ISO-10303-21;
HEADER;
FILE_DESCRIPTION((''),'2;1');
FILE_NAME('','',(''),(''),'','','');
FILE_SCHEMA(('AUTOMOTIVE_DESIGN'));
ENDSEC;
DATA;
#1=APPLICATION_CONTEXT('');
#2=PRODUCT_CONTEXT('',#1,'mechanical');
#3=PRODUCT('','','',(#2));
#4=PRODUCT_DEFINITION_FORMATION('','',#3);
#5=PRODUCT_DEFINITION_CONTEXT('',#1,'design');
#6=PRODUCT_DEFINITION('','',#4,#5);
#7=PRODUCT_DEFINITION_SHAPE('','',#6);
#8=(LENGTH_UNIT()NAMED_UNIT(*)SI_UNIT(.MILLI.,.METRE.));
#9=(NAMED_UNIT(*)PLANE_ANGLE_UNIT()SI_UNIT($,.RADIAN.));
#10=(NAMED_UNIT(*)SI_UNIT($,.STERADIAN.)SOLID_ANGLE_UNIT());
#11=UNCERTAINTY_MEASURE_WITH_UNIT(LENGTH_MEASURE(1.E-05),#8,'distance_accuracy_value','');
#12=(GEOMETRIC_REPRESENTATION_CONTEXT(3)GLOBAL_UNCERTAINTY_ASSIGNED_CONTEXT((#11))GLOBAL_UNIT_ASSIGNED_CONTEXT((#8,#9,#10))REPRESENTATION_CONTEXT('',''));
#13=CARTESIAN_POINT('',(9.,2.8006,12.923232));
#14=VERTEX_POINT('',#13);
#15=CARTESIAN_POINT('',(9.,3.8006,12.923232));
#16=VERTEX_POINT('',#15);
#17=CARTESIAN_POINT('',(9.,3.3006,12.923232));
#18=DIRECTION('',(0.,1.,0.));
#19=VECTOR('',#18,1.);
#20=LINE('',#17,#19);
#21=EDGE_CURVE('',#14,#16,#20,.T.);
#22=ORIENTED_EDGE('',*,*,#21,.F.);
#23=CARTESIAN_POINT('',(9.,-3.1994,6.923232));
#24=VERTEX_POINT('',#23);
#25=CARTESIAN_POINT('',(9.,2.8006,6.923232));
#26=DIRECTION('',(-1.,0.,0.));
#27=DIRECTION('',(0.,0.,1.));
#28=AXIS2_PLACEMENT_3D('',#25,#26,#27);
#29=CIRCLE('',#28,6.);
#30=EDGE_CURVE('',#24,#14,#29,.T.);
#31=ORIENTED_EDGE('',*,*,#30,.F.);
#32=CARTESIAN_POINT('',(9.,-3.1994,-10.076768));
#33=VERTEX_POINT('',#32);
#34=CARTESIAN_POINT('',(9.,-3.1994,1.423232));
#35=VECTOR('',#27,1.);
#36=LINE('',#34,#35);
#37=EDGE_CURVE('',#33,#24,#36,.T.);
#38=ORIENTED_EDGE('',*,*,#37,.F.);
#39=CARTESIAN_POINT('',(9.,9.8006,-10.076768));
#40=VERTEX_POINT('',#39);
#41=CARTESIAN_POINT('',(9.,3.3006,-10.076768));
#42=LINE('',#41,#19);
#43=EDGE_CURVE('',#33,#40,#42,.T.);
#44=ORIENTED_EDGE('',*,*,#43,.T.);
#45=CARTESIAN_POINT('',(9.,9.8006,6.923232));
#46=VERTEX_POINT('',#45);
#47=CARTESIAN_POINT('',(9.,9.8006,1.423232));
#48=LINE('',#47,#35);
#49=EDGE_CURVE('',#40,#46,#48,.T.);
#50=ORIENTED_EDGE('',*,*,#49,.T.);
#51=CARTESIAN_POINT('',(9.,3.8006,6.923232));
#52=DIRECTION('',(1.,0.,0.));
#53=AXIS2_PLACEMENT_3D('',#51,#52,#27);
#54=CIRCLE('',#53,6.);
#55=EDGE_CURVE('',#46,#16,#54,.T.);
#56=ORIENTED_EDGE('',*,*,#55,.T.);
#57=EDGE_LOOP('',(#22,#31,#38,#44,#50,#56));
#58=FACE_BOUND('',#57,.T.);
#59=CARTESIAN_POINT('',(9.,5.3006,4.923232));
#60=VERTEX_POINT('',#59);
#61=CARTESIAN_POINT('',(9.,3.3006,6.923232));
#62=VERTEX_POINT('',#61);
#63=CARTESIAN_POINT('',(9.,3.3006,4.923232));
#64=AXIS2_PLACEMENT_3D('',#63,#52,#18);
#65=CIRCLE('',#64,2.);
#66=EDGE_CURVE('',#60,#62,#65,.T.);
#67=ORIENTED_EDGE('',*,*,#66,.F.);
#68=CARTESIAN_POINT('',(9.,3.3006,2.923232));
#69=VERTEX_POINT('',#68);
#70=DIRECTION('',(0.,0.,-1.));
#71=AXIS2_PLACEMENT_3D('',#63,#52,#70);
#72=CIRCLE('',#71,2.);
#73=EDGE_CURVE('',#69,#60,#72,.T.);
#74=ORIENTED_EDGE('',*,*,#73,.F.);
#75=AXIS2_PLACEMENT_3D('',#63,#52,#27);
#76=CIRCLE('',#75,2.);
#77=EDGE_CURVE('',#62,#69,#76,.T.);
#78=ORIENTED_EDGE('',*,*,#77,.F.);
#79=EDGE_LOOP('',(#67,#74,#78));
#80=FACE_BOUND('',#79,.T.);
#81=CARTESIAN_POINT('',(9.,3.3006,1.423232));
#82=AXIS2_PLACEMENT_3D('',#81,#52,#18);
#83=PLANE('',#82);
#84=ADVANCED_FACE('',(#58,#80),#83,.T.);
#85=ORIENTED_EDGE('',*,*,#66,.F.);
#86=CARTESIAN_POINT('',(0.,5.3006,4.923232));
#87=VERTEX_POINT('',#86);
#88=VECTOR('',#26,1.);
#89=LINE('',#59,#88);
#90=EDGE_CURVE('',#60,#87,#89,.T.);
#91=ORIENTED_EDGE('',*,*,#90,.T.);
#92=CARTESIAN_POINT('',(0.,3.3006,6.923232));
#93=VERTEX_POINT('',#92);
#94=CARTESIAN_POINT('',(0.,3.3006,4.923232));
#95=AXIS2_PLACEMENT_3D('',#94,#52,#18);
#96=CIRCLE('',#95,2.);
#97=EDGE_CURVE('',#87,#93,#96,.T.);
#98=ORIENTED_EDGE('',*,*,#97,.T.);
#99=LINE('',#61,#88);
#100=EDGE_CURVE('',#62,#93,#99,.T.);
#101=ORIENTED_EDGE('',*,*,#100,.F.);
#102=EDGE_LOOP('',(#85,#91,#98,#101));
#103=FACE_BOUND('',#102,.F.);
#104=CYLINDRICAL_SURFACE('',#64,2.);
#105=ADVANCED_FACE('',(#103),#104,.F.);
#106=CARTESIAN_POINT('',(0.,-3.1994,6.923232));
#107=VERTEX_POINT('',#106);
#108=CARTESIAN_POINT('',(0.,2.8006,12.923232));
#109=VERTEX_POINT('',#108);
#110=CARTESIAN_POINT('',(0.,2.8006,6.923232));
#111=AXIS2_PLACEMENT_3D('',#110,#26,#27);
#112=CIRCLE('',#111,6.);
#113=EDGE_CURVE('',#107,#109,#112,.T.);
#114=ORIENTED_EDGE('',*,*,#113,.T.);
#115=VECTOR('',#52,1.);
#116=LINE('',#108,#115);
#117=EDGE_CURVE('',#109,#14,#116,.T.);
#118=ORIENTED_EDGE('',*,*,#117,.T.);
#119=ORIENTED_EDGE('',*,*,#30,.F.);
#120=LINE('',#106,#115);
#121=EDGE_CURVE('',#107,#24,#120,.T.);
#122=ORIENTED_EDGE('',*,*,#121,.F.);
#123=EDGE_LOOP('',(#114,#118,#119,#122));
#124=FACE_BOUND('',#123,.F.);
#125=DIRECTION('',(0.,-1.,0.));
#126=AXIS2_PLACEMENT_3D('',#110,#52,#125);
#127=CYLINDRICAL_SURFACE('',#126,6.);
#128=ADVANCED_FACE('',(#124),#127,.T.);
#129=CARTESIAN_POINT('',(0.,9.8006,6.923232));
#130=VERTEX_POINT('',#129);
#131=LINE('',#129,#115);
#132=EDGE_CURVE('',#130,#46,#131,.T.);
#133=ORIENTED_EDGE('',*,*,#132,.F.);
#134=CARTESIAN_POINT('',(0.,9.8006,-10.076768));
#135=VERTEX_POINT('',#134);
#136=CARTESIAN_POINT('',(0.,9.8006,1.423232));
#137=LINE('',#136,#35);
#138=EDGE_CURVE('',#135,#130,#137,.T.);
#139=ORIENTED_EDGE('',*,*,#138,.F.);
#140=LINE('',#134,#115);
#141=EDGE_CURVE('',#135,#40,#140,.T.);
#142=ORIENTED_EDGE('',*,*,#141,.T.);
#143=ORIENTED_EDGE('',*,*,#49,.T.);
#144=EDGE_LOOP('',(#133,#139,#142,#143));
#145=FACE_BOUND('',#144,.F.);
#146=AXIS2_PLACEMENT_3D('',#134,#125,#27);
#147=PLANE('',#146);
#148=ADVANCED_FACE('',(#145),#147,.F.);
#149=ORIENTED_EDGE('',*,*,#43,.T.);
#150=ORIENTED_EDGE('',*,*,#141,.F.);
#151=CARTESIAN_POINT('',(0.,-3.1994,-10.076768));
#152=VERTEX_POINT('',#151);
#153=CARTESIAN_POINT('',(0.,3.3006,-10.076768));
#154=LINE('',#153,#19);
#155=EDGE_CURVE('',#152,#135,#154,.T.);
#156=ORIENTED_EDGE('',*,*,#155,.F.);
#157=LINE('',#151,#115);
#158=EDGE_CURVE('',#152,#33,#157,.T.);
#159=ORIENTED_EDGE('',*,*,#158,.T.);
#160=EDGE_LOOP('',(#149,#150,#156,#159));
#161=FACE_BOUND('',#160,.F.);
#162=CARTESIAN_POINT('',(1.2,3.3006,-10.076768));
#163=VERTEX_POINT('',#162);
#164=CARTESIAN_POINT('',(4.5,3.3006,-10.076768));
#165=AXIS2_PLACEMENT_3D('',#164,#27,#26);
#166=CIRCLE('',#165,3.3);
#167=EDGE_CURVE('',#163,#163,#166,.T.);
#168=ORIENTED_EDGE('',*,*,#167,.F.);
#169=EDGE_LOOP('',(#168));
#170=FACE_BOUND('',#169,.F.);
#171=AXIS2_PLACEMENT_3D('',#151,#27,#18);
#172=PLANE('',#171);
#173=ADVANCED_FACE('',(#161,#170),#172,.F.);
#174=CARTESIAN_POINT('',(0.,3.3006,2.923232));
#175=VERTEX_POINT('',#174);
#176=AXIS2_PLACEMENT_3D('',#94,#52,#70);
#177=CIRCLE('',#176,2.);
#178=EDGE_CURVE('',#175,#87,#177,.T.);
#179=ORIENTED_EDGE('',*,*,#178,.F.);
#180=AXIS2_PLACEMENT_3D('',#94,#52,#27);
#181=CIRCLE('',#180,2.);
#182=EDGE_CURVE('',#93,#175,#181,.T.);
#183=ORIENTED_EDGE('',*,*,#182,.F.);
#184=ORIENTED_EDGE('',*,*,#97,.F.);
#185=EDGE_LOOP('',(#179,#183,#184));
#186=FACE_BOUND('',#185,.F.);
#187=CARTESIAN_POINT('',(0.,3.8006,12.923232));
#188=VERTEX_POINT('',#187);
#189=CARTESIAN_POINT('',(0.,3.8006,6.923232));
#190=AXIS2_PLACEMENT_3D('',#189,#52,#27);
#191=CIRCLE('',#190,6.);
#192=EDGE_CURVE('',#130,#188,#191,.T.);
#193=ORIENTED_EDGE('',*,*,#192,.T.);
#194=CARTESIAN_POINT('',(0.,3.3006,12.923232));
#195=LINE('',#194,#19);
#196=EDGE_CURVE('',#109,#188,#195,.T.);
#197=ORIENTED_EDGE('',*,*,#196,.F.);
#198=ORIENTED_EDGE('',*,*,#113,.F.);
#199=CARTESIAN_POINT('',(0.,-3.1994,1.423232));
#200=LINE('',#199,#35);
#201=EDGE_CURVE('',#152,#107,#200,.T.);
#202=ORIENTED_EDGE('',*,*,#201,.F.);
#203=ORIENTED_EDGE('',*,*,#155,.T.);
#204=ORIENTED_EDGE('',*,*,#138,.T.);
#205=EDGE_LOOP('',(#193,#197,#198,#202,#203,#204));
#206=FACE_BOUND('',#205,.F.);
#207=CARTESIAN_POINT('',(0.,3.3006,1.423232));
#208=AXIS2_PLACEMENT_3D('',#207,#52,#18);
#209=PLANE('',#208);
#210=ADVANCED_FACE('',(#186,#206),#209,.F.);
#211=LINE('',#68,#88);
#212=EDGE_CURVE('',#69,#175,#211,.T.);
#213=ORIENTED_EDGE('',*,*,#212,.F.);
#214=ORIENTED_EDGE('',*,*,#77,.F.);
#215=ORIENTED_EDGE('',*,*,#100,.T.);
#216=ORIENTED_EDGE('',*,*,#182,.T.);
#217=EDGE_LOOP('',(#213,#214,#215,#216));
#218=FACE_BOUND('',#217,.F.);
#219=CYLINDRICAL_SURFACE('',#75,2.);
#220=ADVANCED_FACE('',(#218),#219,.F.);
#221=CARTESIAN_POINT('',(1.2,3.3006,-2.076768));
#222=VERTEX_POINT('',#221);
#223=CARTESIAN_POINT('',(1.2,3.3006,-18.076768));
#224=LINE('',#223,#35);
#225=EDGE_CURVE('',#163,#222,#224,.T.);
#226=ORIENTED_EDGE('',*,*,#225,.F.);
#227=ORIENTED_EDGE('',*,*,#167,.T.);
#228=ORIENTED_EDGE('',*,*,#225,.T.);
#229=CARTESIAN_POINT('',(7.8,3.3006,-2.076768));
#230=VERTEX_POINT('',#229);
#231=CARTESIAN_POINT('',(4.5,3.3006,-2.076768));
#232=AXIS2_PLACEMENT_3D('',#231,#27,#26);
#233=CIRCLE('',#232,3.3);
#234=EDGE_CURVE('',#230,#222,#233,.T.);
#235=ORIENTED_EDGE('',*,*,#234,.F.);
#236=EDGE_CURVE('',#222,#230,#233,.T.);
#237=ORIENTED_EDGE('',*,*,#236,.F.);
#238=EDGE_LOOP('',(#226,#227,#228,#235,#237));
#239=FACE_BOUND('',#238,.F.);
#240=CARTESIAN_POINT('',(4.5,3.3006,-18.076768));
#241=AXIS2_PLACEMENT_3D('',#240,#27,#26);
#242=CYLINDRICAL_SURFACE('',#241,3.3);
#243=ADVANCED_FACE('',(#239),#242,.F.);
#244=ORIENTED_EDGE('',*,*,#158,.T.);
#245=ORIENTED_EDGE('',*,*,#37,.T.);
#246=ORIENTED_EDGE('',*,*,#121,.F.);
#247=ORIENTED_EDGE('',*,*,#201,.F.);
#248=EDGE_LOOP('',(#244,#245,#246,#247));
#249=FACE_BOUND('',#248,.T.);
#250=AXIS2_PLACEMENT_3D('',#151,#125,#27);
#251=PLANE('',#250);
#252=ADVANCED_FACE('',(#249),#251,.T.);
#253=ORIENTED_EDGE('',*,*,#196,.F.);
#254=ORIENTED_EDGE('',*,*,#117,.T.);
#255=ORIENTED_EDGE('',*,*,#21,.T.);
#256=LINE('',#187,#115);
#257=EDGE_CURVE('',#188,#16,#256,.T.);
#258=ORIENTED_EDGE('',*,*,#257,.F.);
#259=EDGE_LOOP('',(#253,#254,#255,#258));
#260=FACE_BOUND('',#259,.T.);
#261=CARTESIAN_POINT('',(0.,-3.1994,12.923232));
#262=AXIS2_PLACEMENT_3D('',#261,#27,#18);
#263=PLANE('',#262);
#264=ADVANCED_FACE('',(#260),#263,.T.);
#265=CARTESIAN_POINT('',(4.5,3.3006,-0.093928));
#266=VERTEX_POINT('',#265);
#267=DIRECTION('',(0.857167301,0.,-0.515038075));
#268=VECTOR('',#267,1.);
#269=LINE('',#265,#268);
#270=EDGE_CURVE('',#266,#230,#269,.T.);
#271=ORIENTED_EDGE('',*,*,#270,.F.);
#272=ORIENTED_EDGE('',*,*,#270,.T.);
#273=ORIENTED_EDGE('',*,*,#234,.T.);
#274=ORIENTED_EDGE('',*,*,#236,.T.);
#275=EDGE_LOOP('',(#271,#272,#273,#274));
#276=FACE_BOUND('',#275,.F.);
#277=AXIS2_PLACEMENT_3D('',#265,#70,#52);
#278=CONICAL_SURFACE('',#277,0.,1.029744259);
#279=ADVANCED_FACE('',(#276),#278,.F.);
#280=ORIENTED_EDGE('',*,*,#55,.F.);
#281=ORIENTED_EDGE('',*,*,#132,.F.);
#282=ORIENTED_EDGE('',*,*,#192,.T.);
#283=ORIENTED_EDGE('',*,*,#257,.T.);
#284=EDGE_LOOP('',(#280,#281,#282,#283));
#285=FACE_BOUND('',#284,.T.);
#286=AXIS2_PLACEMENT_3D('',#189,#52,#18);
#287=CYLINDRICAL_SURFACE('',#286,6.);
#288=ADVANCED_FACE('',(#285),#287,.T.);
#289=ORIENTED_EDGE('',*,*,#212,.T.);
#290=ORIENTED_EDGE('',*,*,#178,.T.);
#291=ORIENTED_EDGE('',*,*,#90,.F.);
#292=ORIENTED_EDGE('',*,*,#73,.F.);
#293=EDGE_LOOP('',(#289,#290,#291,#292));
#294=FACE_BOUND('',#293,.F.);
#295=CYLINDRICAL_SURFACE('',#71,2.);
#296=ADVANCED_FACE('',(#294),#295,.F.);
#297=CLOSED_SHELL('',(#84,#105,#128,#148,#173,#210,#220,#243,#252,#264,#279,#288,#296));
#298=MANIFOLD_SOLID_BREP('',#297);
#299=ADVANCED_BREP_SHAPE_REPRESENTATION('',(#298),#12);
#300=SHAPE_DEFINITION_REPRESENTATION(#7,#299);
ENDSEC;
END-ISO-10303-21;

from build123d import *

# Parameters (mm, degrees)
F0_W     = 13
F0_H     = 23
F1_DEPTH = 9
F2_R     = 6
F4_DEPTH = 9.001
F6_D     = 6.6
F6_DEPTH = 8
F6_TIP   = 1.9828400428


with BuildPart() as f1:
    # F0 (on Right) → F1 (new body)
    with BuildSketch(Plane.YZ):
        with Locations((3.3005997539, 1.423231575)):
            Rectangle(F0_W, F0_H)
    extrude(amount=F1_DEPTH)

    # F2
    f2_edges = [f1.edges().sort_by_distance(p)[0] for p in [
        (4.5, -3.1994, 12.923232),
        (4.5, 9.8006, 12.923232),
    ]]
    fillet(f2_edges, radius=F2_R)

    # F3 (on face) → F4 (cut, through all)
    with BuildSketch(Plane.YZ.offset(9)):
        with BuildLine():
            ThreePointArc((5.3005997539, 4.923231575), (4.7148133162, 6.3374451374), (3.3005997539, 6.923231575))
            Line((3.3005997539, 6.923231575), (3.3005997539, 2.923231575))
            ThreePointArc((3.3005997539, 2.923231575), (4.7148133162, 3.5090180127), (5.3005997539, 4.923231575))
        make_face()
        with BuildLine():
            Line((3.3005997539, 2.923231575), (3.3005997539, 6.923231575))
            ThreePointArc((3.3005997539, 6.923231575), (1.3005997539, 4.923231575), (3.3005997539, 2.923231575))
        make_face()
    extrude(amount=-F4_DEPTH, mode=Mode.SUBTRACT)

    # F6
    with Locations(Plane(origin=(0, 0, -10.076768425), x_dir=(1, 0, 0), z_dir=(0, 0, -1))):
        with Locations((4.5, -3.3005997539)):
            Hole(F6_D / 2, depth=F6_DEPTH)
            with Locations((0, 0, -(F6_DEPTH + F6_TIP / 2))):  # 118° drill point
                Cone(0, F6_D / 2, F6_TIP, mode=Mode.SUBTRACT)


solid = f1.part
